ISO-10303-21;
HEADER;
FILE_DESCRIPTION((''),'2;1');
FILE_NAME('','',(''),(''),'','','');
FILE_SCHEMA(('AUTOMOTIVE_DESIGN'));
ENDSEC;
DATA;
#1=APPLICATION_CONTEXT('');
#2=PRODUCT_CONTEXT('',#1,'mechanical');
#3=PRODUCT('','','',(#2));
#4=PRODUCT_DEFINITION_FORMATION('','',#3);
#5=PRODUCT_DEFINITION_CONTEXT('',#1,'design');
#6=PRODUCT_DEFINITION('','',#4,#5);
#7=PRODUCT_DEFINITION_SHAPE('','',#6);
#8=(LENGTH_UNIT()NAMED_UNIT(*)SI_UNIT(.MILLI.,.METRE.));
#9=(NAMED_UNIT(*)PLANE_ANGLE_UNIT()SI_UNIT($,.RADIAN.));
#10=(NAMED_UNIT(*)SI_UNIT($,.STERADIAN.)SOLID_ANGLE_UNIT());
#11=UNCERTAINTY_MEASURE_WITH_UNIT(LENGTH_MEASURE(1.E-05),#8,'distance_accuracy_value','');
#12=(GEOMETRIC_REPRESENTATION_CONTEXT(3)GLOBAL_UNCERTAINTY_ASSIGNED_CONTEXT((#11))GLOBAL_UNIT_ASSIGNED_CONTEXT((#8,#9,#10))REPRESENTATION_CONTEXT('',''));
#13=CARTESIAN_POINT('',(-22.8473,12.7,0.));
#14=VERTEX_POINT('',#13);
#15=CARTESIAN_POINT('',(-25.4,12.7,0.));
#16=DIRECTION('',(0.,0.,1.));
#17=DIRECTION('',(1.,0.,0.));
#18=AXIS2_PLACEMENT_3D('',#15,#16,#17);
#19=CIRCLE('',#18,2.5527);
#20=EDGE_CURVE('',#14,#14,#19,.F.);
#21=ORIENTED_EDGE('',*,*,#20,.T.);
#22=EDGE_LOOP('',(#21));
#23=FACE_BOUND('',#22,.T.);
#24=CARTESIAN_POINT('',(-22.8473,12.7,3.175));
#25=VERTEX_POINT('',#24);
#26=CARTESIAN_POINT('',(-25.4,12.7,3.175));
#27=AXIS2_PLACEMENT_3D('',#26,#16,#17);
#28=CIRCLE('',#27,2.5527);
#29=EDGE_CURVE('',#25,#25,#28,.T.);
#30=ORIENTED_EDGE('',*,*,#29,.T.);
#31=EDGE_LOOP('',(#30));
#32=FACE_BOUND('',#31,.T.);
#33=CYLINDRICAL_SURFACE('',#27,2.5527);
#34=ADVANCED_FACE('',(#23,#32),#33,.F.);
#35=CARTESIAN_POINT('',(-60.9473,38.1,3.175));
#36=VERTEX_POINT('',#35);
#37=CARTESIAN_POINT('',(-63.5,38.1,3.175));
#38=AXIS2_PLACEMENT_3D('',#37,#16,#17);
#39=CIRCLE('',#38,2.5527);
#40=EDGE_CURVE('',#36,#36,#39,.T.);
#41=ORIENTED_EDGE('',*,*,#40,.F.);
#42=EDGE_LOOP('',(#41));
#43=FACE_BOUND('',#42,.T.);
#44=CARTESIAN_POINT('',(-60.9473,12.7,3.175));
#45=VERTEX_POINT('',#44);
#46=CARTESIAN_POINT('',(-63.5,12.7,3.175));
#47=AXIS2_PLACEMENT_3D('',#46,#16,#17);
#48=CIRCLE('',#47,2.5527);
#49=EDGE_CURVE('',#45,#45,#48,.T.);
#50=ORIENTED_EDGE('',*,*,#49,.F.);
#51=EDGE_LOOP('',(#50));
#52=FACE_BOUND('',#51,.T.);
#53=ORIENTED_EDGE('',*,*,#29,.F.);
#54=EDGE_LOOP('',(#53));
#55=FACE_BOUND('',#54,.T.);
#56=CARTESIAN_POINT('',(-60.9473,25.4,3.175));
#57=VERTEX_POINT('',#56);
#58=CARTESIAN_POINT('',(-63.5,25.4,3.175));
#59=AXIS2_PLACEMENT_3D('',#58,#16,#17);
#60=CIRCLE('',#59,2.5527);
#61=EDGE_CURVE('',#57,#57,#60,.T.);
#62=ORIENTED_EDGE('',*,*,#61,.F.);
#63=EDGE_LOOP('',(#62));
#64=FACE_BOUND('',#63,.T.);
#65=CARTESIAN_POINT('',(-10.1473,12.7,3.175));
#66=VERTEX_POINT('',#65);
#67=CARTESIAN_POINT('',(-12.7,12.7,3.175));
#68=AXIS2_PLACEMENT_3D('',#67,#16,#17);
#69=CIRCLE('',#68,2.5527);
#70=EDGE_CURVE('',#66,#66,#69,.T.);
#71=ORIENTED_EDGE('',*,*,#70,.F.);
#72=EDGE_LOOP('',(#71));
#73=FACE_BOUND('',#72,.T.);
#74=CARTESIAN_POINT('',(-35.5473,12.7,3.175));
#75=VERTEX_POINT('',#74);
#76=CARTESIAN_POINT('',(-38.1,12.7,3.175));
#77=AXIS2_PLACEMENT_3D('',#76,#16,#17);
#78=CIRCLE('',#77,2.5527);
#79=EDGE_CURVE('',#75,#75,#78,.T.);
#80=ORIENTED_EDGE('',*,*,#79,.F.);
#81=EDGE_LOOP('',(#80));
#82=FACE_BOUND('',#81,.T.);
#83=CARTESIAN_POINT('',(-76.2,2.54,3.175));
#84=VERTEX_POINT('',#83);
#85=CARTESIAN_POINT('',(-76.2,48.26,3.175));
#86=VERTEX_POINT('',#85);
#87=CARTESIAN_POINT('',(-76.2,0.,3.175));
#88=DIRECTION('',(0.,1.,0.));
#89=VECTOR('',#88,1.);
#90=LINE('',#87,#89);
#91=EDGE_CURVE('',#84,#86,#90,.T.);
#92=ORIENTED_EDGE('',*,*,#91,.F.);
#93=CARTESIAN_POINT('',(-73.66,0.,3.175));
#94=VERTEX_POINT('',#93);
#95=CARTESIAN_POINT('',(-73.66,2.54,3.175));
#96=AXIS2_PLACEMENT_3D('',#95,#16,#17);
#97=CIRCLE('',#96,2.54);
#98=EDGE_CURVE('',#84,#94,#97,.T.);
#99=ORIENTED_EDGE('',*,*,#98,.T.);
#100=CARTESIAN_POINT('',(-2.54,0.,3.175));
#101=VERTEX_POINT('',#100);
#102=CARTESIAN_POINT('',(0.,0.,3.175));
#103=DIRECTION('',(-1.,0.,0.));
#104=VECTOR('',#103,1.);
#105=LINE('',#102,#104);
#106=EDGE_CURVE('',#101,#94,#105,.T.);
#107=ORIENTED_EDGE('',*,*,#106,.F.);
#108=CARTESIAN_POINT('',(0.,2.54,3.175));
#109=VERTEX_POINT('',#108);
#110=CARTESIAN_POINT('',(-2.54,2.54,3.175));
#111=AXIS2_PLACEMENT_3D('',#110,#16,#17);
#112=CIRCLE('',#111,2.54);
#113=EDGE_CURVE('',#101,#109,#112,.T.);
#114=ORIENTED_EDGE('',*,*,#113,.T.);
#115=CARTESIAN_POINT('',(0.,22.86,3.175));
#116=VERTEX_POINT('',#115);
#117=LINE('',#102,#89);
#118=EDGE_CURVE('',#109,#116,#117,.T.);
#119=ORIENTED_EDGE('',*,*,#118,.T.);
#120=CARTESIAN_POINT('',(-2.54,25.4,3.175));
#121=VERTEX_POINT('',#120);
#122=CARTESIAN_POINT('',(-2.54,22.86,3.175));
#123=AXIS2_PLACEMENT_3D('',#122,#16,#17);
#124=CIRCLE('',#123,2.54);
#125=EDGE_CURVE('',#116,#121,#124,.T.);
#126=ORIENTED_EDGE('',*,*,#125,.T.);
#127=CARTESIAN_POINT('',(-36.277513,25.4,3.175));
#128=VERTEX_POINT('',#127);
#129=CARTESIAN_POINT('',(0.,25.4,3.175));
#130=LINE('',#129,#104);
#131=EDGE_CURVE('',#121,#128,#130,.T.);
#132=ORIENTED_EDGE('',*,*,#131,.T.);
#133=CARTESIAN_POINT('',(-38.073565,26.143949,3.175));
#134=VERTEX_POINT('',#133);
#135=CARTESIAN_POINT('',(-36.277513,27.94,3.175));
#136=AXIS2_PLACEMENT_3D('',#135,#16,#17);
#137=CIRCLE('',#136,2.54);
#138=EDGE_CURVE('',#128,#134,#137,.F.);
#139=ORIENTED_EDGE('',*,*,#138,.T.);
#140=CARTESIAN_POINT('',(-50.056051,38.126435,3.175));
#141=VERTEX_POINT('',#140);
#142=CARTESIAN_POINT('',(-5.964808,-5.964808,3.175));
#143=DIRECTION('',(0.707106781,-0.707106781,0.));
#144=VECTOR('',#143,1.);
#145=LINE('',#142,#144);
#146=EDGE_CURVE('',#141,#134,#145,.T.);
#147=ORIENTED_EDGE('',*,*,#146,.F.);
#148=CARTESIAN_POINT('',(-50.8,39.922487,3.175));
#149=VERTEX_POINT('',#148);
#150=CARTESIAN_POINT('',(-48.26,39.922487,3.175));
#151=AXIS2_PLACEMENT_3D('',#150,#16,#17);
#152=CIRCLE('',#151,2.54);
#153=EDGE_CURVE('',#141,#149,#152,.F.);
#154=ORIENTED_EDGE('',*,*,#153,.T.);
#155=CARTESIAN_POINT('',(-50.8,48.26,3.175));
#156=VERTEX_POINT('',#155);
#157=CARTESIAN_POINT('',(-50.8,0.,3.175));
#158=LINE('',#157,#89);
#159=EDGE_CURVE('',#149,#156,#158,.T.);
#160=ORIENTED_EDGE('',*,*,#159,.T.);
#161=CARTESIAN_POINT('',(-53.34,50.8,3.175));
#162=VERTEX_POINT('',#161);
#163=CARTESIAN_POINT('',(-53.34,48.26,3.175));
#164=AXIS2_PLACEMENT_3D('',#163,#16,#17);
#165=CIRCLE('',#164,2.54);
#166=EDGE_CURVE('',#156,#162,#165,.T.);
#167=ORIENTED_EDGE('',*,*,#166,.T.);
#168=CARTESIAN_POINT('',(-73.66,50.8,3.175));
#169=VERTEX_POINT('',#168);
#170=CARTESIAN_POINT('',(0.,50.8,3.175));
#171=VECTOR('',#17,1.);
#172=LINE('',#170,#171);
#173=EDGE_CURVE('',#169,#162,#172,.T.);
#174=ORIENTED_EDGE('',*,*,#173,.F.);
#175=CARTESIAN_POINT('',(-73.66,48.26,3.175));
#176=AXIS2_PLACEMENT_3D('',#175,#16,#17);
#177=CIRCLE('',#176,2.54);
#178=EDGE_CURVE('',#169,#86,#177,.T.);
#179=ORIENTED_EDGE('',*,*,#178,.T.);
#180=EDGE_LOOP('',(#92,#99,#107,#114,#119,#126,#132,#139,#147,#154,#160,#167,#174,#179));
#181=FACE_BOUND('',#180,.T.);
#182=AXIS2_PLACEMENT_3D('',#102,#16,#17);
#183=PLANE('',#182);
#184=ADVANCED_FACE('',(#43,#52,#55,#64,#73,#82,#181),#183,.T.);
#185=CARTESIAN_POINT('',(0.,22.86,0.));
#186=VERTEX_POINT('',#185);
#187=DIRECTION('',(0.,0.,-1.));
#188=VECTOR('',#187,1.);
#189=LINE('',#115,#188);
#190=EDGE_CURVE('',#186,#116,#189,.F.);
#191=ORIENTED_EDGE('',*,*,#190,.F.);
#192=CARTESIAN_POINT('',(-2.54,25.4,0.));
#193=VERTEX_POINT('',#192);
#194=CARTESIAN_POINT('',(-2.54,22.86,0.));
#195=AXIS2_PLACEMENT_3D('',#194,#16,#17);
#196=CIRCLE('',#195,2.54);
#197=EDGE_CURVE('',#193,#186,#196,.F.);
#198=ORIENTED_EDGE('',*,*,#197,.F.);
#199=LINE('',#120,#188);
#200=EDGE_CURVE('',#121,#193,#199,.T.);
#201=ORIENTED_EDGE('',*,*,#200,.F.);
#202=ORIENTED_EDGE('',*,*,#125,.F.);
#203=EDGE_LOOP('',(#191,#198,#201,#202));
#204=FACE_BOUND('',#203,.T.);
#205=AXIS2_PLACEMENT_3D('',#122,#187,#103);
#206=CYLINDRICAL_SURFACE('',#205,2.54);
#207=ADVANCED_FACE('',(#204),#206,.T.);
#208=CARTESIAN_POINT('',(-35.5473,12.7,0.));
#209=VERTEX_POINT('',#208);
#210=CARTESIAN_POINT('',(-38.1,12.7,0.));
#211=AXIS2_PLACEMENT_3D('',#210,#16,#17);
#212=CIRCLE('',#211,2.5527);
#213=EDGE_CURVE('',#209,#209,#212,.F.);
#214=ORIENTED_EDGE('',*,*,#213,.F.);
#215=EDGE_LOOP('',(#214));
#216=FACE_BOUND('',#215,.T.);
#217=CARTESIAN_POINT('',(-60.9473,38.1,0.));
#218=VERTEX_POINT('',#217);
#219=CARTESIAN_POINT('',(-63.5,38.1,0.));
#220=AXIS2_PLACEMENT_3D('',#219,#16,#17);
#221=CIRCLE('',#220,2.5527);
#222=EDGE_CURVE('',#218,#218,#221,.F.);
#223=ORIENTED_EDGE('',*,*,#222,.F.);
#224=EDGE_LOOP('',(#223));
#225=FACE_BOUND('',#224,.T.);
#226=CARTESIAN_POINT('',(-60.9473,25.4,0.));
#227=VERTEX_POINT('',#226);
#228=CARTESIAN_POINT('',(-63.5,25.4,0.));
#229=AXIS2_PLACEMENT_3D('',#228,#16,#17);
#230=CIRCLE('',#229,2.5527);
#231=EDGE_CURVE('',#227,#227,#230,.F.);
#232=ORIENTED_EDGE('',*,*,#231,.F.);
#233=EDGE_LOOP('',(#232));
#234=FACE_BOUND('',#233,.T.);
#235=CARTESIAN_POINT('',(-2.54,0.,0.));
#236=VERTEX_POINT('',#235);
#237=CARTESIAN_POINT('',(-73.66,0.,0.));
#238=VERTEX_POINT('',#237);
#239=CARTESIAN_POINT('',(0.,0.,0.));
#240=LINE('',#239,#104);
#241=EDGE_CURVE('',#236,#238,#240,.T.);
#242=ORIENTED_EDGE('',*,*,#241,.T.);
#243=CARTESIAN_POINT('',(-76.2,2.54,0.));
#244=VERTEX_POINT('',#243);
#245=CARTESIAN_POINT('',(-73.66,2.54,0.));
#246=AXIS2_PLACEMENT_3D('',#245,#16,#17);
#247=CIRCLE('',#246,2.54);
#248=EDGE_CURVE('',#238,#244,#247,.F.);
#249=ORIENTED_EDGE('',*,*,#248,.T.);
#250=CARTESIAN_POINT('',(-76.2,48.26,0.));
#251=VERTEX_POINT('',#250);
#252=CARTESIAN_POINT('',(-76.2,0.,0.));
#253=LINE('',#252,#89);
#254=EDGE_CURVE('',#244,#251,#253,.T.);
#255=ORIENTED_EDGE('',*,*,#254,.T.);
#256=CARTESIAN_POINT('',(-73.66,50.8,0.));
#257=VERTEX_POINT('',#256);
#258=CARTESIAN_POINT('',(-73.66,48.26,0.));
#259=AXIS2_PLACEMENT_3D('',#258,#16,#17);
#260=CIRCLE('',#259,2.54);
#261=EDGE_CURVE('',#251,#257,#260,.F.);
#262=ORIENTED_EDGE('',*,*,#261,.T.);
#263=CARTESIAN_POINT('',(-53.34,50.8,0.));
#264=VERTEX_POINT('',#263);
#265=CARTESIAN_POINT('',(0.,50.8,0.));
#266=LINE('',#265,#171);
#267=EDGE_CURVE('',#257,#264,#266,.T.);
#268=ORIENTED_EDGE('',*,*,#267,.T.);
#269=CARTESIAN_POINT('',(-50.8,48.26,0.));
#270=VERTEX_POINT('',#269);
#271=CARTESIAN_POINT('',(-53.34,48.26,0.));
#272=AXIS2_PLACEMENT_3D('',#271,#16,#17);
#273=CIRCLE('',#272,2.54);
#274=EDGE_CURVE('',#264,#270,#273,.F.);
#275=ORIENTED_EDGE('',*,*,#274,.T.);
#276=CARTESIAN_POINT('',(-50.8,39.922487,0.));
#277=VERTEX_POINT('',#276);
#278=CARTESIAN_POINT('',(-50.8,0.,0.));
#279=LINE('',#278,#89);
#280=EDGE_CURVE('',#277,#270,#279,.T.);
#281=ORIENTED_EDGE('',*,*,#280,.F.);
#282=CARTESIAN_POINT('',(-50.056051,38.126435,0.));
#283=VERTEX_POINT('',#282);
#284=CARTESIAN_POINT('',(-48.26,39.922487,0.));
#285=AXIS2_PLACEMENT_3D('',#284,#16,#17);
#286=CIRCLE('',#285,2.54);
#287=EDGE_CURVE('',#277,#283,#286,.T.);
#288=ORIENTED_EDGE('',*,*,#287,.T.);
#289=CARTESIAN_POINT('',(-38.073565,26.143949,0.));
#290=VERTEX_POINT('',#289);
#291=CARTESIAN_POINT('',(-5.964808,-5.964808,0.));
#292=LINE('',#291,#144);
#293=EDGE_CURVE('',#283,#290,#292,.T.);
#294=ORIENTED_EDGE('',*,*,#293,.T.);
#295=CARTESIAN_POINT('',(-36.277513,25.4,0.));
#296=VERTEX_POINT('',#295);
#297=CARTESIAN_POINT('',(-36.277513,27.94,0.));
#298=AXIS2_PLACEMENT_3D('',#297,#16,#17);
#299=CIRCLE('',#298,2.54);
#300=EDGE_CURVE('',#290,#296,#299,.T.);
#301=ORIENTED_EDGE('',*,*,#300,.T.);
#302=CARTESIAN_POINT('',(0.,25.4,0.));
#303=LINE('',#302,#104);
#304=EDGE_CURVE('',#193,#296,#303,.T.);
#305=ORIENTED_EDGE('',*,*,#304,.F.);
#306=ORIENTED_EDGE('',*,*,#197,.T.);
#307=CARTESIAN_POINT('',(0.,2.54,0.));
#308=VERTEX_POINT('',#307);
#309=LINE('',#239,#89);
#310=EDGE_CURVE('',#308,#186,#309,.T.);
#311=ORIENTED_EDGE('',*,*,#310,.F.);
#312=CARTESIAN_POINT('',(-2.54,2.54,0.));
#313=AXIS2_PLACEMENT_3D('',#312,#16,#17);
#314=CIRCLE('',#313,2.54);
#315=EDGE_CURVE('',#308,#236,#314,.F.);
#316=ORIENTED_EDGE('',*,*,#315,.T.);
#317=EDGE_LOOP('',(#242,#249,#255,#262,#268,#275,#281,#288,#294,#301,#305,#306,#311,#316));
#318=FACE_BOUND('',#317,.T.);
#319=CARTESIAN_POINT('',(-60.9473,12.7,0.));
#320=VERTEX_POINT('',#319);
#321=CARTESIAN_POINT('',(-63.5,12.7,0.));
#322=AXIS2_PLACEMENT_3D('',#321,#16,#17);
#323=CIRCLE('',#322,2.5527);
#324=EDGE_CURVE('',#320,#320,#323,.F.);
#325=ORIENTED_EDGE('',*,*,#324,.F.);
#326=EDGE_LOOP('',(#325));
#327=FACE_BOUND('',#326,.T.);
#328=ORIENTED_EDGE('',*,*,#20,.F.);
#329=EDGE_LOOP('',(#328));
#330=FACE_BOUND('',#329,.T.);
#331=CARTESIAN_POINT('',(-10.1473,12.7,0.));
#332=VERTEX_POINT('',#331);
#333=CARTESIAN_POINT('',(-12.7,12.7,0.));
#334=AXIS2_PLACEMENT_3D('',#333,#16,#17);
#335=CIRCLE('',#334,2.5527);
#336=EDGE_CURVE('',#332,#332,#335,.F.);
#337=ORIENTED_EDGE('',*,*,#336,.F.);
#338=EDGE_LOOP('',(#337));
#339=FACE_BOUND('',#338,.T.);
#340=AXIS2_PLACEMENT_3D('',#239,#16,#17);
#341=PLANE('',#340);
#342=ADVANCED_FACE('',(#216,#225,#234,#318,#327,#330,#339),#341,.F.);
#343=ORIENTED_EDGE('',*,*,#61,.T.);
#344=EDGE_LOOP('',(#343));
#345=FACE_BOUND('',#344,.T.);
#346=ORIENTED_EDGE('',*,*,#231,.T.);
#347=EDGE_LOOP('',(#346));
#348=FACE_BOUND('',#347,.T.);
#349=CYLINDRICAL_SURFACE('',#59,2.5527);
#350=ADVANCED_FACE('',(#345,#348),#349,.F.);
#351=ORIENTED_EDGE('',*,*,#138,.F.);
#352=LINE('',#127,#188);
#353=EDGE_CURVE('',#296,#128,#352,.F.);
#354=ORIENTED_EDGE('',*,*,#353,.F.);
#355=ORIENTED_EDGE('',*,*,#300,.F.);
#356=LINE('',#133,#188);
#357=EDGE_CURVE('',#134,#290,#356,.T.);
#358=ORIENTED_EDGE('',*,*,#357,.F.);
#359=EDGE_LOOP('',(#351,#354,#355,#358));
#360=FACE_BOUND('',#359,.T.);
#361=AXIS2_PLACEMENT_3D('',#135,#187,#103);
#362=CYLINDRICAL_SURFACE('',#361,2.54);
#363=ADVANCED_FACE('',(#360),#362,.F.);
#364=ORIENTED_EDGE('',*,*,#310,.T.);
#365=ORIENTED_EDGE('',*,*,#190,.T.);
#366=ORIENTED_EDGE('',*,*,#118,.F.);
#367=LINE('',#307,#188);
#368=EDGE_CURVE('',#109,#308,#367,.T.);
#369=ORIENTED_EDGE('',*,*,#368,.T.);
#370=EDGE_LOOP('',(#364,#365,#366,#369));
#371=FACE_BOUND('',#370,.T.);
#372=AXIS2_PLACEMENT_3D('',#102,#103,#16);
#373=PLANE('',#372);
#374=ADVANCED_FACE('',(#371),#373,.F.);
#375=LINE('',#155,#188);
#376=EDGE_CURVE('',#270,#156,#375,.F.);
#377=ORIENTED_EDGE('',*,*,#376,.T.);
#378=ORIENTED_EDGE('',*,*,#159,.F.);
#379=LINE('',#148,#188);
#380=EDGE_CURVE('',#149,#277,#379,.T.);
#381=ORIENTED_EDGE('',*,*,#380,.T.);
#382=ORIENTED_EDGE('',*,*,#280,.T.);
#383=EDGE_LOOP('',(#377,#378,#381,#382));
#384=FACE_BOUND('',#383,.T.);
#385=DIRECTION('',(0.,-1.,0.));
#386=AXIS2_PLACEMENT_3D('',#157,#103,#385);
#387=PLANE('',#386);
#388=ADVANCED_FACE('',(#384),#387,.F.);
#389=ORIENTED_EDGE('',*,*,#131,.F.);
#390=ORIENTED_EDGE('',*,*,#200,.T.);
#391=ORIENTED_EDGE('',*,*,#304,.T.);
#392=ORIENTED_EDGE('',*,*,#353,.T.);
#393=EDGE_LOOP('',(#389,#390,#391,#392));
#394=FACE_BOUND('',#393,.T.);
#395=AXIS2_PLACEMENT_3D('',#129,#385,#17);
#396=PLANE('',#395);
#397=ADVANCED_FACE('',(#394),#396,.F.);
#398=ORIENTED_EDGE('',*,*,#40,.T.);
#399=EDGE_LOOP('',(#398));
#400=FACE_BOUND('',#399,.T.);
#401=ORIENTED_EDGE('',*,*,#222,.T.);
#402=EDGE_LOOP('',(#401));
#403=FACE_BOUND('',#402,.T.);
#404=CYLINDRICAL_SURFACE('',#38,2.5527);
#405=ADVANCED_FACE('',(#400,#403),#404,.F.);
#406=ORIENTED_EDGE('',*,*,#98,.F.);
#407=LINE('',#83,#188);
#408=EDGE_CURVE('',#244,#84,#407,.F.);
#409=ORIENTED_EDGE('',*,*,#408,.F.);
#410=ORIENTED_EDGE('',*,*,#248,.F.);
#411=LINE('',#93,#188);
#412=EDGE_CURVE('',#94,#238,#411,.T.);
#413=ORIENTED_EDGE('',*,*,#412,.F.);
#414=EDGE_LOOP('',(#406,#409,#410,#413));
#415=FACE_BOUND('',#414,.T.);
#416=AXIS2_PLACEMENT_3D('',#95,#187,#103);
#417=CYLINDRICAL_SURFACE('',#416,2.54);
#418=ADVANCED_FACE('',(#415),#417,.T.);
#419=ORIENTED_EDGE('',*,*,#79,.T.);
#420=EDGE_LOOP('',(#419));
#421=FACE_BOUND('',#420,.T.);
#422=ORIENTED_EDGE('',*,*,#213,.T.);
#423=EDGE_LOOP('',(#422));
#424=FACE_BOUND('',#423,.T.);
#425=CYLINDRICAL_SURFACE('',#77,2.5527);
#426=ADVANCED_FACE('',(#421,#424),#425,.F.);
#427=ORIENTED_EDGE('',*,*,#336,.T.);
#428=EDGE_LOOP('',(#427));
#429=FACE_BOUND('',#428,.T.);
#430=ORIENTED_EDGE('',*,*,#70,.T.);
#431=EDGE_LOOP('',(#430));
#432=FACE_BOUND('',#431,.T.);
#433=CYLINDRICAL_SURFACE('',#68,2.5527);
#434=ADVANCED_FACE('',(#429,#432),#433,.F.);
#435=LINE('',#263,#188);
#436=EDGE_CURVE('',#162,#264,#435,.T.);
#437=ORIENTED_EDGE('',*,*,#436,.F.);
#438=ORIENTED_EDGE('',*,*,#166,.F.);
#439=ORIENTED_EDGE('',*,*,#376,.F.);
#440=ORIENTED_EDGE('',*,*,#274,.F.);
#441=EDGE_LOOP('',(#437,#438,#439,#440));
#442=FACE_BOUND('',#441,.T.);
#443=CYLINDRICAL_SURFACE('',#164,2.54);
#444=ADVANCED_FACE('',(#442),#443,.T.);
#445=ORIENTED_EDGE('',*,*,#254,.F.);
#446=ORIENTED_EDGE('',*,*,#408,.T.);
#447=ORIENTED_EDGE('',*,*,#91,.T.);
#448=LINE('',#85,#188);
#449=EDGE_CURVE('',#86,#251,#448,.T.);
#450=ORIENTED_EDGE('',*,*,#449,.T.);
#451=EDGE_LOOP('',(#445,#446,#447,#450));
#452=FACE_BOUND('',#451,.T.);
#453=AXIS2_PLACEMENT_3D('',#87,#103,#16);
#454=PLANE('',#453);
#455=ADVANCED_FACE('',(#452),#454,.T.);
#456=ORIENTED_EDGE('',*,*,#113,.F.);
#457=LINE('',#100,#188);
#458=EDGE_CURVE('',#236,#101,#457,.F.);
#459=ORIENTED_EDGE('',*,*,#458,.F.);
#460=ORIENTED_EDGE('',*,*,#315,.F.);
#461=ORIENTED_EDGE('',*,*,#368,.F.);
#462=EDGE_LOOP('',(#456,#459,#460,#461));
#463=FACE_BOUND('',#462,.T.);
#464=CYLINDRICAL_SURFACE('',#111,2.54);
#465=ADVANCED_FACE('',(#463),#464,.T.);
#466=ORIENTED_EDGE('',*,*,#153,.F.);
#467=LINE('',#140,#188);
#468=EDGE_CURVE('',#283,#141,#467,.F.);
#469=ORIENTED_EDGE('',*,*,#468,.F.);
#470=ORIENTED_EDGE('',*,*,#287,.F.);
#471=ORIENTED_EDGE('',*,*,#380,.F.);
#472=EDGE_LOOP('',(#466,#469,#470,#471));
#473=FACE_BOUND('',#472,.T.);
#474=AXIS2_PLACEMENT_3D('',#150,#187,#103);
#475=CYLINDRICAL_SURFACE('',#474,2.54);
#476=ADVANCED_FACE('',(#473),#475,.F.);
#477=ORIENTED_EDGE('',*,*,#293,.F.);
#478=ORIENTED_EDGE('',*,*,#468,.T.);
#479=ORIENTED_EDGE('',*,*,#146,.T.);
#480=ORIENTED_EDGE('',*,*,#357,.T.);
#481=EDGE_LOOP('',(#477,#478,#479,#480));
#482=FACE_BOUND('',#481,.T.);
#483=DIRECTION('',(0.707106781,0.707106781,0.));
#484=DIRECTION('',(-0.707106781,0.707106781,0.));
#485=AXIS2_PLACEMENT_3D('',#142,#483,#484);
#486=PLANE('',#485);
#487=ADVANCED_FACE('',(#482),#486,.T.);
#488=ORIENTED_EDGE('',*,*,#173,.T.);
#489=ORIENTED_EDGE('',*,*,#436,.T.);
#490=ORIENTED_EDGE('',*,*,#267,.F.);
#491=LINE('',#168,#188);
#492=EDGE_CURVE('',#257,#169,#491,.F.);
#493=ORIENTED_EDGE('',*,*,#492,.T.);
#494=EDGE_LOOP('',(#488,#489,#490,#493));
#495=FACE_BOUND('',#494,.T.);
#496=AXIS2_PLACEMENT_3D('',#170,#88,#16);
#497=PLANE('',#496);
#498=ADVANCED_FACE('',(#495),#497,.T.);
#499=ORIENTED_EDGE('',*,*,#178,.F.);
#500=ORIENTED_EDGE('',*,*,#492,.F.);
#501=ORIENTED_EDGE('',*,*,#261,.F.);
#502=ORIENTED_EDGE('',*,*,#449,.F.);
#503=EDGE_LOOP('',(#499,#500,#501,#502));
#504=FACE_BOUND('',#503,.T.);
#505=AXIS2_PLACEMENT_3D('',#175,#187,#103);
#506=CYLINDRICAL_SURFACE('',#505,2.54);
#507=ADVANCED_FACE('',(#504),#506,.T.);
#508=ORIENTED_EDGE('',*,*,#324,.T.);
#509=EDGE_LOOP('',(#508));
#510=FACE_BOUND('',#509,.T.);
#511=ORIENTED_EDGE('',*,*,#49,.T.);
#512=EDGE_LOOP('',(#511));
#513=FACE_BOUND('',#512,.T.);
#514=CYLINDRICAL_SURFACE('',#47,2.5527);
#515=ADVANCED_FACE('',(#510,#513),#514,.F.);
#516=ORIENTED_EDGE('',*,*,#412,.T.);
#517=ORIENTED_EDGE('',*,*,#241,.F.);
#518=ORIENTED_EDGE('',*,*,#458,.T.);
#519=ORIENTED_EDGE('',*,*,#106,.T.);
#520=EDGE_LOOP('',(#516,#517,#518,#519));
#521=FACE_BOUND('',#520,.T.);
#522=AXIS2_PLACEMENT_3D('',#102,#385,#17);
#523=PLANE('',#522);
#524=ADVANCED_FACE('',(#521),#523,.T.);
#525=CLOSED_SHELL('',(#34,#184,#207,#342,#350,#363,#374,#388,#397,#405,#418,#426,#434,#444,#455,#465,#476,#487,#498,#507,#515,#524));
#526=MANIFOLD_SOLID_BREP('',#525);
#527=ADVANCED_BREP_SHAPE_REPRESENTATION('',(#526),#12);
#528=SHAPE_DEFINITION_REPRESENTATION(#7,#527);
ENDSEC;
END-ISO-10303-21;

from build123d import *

# Parameters (mm, degrees)
BOSS_EXTRUDE1_DEPTH    = 3.175
F_10_CLEARANCE_HOLE1_D = 5.1054
FILLET1_R              = 2.54


with BuildPart() as part:
    # Sketch1 → Boss-Extrude1 (new body)
    with BuildSketch(Plane.XY):
        Polygon((0, 0), (-76.2, 0), (-76.2, 50.8), (-50.8, 50.8), (-50.8, 38.870384182), (-37.329615818, 25.4), (0, 25.4), align=None)
    extrude(amount=BOSS_EXTRUDE1_DEPTH)

    # #10 Clearance Hole1 (through all)
    with Locations(Plane.XY.offset(3.175)):
        with Locations((-63.5, 38.1), (-63.5, 25.4), (-63.5, 12.7), (-38.1, 12.7), (-25.4, 12.7), (-12.7, 12.7)):
            Hole(F_10_CLEARANCE_HOLE1_D / 2)

    # Fillet1
    fillet1_edges = [part.edges().sort_by_distance(p)[0] for p in [
        (-37.329615818, 25.4, 1.5875),
        (0, 25.4, 1.5875),
        (0, 0, 1.5875),
        (-76.2, 0, 1.5875),
        (-76.2, 50.8, 1.5875),
        (-50.8, 50.8, 1.5875),
        (-50.8, 38.870384182, 1.5875),
    ]]
    fillet(fillet1_edges, radius=FILLET1_R)


solid = part.part
